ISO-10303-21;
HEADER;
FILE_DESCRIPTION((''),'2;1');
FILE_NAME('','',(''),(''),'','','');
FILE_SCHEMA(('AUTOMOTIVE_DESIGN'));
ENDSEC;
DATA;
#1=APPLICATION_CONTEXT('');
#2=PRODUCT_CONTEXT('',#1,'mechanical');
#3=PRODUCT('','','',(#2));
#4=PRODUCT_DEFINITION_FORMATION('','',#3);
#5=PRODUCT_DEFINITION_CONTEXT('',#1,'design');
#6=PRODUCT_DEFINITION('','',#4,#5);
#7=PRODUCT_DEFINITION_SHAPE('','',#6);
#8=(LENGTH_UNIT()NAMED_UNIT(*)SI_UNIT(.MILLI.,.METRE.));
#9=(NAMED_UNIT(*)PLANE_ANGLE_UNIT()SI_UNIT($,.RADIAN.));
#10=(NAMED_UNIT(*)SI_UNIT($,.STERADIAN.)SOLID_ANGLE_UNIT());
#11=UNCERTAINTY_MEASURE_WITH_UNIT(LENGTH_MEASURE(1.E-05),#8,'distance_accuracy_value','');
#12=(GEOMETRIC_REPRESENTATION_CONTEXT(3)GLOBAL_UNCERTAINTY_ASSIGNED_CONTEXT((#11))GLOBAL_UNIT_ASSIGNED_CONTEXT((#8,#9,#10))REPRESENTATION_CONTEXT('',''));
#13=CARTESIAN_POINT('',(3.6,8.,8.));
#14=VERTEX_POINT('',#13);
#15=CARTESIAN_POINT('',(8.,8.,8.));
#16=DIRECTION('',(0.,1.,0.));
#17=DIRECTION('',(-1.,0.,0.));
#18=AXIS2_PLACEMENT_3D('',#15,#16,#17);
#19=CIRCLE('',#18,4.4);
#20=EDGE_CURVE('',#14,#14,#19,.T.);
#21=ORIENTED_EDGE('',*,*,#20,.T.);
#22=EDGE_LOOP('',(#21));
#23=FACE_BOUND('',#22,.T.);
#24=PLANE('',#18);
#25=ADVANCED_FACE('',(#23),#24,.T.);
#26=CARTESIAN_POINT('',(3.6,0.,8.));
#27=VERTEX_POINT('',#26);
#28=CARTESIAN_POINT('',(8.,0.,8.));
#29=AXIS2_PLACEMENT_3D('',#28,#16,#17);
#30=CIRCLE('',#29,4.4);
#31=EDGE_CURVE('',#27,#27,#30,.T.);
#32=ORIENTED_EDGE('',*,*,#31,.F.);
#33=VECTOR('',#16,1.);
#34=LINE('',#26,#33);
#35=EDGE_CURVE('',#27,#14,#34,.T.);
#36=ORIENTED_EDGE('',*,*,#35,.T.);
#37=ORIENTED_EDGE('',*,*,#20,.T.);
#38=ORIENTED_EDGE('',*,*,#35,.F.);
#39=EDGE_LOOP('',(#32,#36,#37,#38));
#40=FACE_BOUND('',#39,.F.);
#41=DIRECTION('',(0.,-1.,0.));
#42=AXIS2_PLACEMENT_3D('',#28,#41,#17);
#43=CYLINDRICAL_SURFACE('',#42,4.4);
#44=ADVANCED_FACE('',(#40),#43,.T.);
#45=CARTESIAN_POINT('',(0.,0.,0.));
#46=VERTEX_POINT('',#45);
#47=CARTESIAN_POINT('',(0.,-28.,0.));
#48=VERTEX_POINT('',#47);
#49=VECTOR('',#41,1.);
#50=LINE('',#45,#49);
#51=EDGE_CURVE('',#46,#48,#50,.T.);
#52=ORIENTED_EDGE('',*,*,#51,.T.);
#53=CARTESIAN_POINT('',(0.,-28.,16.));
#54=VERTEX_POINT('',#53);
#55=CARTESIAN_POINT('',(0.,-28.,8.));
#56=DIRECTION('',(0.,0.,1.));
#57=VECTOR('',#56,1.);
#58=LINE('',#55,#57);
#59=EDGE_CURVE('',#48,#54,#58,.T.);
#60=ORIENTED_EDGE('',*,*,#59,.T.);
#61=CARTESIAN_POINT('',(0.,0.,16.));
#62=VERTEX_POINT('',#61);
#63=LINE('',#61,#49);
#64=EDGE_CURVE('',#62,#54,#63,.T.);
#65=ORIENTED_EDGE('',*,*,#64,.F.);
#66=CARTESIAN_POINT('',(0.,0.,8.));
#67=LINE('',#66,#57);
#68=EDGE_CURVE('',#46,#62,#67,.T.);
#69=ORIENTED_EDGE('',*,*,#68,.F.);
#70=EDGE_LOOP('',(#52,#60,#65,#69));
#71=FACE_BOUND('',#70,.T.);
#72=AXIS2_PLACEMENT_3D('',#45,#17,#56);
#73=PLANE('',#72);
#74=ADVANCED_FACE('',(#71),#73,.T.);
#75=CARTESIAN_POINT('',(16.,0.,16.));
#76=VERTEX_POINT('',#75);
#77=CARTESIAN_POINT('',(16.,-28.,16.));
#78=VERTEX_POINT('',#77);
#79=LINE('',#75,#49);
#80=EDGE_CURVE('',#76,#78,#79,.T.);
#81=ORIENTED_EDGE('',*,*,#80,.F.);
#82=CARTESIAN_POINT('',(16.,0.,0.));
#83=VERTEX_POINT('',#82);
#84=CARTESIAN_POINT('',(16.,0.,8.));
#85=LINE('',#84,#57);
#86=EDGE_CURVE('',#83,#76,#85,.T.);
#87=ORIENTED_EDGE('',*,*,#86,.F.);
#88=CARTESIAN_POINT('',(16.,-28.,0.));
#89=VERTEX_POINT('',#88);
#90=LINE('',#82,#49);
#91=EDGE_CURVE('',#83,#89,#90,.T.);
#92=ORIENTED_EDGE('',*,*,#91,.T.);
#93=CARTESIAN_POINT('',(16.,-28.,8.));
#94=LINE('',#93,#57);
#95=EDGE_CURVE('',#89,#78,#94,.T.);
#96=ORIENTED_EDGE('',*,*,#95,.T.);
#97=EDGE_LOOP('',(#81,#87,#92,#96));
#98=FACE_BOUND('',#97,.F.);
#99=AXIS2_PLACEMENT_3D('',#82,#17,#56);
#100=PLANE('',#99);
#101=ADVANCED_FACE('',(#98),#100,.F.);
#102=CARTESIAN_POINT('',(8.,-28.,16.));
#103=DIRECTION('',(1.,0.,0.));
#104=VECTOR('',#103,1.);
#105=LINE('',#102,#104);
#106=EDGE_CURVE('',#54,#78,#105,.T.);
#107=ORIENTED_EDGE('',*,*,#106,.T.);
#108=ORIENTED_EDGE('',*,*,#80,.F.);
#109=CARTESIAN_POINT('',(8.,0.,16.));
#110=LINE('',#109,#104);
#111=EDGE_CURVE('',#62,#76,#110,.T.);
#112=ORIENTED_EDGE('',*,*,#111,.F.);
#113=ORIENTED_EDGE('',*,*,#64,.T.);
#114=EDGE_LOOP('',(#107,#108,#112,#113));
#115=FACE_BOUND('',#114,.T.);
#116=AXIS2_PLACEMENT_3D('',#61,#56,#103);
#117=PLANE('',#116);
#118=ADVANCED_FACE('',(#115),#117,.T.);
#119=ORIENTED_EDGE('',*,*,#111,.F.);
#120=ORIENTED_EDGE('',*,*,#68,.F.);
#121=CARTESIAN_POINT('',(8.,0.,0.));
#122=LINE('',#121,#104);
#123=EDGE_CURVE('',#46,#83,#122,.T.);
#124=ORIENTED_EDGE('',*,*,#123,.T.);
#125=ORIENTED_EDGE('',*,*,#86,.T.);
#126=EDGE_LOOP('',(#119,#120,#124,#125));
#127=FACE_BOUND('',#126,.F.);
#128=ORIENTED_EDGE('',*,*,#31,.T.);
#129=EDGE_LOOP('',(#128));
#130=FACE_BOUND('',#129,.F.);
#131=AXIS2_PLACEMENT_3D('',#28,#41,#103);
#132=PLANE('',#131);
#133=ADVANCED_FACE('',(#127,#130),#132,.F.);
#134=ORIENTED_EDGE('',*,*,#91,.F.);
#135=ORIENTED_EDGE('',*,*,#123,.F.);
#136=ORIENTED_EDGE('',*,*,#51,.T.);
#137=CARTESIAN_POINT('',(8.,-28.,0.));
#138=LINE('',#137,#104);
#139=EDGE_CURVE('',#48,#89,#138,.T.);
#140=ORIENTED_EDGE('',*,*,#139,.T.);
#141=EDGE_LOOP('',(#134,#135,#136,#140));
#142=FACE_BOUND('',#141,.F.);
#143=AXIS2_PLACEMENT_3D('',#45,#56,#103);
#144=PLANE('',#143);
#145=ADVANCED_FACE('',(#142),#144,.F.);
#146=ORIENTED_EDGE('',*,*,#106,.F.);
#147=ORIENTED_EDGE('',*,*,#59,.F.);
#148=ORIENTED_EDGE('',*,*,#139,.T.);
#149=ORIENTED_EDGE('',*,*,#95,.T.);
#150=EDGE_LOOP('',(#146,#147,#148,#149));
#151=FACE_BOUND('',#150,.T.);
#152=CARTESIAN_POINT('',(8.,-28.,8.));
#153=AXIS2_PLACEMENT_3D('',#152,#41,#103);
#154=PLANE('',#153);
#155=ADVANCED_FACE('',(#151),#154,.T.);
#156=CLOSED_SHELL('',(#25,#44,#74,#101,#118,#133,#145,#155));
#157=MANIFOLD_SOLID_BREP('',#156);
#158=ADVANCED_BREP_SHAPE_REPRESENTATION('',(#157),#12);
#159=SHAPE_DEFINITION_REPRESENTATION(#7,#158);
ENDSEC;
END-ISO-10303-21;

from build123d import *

# Parameters (mm, degrees)
F0_W     = 16
F0_H     = 16
F1_DEPTH = 28
F2_R     = 4.4
F3_DEPTH = 8


with BuildPart() as f1:
    # F0 (on Front) → F1 (new body)
    with BuildSketch(Plane.XZ):
        with Locations((8, 8)):
            Rectangle(F0_W, F0_H)
    extrude(amount=F1_DEPTH)

    # F2 (on face) → F3 (join)
    with BuildSketch(Plane(origin=(0, 0, 0), x_dir=(-1, 0, 0), z_dir=(0, 1, 0))):
        with Locations((-8, 8)):
            Circle(F2_R)
    extrude(amount=F3_DEPTH)


solid = f1.part
